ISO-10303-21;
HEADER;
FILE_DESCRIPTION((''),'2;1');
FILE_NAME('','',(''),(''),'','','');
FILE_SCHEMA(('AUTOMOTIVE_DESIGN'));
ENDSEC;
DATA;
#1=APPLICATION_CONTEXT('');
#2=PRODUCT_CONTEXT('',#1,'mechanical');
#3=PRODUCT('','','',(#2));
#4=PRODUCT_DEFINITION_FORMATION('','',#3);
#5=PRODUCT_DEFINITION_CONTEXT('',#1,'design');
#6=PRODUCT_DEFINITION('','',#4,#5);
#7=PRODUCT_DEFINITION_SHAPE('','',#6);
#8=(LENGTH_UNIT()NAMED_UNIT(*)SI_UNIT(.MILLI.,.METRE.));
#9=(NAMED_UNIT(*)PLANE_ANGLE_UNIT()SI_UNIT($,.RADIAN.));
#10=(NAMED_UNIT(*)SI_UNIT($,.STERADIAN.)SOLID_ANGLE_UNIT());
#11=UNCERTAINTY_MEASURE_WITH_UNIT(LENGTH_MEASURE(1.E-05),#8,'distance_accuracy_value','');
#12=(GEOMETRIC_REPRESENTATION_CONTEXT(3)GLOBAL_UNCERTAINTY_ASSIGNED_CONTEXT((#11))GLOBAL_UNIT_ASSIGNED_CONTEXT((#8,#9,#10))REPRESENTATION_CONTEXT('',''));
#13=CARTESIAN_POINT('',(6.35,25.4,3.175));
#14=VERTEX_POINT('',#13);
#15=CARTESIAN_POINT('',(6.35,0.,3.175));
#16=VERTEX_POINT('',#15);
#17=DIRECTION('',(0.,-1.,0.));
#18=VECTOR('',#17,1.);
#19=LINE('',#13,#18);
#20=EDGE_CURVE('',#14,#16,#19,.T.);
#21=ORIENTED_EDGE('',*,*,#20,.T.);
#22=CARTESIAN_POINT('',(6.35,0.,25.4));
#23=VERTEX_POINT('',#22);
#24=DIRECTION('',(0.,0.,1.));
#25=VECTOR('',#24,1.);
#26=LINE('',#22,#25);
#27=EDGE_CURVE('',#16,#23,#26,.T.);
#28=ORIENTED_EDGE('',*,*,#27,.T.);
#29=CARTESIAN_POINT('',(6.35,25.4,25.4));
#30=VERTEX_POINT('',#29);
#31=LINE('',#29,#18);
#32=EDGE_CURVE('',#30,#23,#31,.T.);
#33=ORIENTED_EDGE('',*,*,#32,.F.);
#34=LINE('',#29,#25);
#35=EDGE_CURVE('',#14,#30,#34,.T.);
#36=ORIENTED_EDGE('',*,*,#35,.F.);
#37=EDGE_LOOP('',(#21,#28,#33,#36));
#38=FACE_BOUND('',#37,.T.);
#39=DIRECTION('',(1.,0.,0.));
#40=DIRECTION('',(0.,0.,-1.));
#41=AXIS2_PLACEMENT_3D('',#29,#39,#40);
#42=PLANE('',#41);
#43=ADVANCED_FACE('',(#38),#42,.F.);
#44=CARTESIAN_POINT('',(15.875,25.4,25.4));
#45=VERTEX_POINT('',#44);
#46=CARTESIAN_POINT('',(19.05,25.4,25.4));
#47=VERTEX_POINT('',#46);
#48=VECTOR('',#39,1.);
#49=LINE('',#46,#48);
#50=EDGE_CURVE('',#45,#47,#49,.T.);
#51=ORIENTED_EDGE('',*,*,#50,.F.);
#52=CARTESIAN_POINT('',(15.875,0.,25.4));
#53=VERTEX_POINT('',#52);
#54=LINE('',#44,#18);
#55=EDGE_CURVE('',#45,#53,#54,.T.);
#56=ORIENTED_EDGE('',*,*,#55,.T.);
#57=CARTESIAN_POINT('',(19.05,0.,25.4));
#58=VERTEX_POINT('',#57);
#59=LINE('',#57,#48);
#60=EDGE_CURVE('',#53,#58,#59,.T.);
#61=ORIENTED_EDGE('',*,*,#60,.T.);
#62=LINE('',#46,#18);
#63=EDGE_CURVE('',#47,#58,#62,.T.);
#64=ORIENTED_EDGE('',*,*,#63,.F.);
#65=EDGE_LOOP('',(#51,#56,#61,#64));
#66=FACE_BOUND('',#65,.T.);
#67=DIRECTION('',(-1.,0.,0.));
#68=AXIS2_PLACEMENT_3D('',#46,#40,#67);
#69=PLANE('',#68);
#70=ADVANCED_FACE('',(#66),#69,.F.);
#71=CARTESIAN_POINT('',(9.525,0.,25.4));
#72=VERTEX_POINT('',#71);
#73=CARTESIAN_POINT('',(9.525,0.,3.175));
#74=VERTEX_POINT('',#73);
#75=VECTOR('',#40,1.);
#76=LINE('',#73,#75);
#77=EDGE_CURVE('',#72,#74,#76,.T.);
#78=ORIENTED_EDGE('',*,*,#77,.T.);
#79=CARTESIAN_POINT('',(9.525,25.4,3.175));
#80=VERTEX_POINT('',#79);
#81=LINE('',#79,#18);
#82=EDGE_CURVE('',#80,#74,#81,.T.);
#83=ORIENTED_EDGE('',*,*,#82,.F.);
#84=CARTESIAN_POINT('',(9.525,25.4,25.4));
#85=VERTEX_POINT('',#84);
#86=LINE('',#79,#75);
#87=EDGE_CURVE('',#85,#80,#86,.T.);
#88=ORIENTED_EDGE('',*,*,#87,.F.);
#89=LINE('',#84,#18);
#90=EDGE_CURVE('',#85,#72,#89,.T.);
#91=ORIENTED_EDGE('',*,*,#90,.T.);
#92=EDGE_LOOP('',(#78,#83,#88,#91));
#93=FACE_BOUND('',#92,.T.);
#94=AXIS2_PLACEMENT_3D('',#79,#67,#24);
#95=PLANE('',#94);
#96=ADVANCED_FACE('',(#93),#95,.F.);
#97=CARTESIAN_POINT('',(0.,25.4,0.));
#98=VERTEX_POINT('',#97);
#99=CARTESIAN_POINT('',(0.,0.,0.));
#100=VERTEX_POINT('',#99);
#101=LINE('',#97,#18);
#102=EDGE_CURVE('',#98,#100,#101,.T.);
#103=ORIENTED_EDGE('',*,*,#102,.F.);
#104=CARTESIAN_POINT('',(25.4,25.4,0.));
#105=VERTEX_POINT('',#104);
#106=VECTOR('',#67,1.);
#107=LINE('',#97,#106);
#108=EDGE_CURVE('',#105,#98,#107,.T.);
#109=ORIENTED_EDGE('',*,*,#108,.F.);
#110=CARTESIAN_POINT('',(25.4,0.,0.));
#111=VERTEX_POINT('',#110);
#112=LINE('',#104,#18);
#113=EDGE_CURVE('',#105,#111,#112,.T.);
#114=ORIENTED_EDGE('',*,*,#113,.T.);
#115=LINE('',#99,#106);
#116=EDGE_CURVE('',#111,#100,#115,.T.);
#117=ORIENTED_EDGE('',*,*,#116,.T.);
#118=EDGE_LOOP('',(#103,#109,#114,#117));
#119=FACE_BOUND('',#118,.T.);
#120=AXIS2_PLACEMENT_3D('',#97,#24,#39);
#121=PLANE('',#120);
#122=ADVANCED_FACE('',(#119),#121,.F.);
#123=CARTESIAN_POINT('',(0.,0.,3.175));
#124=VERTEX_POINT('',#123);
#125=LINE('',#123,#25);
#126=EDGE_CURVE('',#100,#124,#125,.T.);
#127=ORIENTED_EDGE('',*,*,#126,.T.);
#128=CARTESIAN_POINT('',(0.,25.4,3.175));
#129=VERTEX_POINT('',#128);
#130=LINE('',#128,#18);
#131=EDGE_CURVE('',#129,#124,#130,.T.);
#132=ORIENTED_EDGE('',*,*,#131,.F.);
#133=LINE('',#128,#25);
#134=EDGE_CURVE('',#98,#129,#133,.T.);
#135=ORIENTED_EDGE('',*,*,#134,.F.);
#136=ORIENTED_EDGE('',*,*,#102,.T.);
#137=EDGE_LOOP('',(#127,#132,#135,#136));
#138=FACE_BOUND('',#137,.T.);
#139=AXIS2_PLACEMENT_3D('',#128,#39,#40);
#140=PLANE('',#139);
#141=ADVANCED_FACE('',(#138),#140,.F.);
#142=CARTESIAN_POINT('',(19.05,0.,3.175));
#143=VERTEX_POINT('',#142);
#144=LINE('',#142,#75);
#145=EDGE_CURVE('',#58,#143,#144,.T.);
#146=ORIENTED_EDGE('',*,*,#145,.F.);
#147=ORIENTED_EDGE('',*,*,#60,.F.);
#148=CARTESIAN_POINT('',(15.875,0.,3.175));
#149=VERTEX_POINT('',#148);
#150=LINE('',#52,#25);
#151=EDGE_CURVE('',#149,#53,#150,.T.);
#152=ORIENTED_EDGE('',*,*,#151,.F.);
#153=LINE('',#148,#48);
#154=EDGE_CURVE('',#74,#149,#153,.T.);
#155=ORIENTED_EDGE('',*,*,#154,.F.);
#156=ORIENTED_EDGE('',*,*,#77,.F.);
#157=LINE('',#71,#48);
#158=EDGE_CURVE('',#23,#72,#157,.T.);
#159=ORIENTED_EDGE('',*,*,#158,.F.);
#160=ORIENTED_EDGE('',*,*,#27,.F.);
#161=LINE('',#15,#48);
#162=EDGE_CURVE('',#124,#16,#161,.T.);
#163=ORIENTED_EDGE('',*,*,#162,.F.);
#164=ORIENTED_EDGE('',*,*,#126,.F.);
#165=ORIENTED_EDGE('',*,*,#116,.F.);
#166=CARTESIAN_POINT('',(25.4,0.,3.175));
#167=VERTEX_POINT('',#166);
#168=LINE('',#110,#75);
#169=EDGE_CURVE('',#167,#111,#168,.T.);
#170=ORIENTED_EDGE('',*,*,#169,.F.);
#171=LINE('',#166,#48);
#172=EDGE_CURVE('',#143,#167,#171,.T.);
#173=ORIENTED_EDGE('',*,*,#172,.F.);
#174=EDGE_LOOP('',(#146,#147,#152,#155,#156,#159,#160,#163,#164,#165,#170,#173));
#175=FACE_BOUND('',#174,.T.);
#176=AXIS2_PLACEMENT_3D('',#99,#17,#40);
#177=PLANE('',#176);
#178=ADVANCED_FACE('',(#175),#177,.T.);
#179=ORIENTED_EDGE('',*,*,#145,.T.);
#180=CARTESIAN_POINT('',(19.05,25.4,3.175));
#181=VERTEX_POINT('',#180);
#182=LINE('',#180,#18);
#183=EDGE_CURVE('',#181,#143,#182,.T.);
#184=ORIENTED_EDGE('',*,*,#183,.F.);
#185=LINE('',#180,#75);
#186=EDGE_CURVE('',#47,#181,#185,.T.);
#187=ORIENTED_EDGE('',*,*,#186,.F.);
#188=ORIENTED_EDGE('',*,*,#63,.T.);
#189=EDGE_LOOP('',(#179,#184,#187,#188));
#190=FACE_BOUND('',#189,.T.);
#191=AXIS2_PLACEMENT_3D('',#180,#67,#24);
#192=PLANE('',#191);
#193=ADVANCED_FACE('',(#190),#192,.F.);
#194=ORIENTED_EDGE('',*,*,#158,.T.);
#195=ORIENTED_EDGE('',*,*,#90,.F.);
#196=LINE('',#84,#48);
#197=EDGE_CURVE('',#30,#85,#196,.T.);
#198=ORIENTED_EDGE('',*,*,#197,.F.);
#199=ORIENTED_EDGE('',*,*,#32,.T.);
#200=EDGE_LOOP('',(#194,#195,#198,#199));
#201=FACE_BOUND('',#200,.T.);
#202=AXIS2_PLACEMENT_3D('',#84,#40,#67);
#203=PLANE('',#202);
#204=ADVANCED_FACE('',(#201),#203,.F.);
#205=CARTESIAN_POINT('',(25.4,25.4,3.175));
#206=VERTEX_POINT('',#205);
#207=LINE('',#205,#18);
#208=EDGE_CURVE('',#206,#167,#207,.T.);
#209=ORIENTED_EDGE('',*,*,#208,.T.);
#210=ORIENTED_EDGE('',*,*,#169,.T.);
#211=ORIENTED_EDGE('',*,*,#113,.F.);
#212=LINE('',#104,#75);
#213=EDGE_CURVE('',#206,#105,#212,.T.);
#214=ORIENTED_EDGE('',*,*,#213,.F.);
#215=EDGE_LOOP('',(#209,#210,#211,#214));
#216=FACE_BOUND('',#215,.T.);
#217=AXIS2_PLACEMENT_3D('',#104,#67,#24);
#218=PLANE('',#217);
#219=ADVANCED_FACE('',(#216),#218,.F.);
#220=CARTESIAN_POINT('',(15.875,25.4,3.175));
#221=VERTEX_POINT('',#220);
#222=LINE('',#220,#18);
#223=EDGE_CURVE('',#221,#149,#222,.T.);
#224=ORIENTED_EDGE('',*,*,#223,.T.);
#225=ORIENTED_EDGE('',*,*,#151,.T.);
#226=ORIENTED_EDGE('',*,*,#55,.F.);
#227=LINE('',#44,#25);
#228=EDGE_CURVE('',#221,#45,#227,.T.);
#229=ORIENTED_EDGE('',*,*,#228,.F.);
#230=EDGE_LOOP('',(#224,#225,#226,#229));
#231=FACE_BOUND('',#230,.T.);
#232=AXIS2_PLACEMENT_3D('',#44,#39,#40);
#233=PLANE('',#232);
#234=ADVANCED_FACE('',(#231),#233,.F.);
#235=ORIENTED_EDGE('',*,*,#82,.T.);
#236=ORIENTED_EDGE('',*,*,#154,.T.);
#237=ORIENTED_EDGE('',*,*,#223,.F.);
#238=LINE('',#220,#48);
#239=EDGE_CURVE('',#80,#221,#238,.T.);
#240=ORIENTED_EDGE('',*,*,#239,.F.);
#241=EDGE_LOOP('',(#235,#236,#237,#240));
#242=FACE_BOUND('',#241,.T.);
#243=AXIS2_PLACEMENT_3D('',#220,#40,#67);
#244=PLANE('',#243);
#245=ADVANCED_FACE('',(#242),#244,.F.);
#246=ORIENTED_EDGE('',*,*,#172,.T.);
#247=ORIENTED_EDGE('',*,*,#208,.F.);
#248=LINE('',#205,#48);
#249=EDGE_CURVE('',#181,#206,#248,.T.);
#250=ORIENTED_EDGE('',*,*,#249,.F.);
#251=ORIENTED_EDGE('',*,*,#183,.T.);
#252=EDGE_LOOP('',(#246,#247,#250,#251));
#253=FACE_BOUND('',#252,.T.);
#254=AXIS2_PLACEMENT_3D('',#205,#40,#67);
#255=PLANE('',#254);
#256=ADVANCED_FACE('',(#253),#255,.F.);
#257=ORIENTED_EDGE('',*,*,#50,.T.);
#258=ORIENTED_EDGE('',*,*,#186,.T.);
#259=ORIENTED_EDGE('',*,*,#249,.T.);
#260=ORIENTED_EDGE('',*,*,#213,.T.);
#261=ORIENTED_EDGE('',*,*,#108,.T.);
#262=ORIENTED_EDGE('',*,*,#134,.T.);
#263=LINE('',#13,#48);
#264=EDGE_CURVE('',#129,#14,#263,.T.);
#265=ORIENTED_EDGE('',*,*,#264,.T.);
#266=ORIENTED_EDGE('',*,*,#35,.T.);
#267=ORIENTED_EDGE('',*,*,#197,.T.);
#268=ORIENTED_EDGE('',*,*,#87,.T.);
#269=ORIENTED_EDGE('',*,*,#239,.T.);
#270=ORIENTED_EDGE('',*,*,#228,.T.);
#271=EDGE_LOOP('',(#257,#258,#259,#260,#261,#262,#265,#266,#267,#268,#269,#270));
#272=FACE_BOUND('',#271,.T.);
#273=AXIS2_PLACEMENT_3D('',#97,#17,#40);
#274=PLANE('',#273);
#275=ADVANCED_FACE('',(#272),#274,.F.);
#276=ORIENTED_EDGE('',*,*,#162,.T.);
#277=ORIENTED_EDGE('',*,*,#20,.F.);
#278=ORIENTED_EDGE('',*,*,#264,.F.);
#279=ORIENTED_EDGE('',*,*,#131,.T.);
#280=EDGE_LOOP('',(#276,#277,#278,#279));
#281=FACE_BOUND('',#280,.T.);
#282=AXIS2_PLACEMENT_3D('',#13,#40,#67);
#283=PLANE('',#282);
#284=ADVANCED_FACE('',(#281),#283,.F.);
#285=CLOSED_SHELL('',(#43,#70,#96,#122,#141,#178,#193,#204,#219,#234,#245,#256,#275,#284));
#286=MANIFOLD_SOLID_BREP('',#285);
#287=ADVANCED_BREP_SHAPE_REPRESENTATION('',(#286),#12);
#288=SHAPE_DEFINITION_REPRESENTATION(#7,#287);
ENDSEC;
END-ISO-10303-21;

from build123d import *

# Parameters (mm, degrees)
BOSS_EXTRUDE1_DEPTH = 25.4


with BuildPart() as part:
    # Sketch1 → Boss-Extrude1 (new body)
    with BuildSketch(Plane(origin=(0, 0, 0), x_dir=(1, 0, 0), z_dir=(0, 1, 0))):
        Polygon((0, 0), (25.4, 0), (25.4, -3.175), (19.05, -3.175), (19.05, -25.4), (15.875, -25.4), (15.875, -3.175), (9.525, -3.175), (9.525, -25.4), (6.35, -25.4), (6.35, -3.175), (0, -3.175), align=None)
    extrude(amount=BOSS_EXTRUDE1_DEPTH)


solid = part.part
